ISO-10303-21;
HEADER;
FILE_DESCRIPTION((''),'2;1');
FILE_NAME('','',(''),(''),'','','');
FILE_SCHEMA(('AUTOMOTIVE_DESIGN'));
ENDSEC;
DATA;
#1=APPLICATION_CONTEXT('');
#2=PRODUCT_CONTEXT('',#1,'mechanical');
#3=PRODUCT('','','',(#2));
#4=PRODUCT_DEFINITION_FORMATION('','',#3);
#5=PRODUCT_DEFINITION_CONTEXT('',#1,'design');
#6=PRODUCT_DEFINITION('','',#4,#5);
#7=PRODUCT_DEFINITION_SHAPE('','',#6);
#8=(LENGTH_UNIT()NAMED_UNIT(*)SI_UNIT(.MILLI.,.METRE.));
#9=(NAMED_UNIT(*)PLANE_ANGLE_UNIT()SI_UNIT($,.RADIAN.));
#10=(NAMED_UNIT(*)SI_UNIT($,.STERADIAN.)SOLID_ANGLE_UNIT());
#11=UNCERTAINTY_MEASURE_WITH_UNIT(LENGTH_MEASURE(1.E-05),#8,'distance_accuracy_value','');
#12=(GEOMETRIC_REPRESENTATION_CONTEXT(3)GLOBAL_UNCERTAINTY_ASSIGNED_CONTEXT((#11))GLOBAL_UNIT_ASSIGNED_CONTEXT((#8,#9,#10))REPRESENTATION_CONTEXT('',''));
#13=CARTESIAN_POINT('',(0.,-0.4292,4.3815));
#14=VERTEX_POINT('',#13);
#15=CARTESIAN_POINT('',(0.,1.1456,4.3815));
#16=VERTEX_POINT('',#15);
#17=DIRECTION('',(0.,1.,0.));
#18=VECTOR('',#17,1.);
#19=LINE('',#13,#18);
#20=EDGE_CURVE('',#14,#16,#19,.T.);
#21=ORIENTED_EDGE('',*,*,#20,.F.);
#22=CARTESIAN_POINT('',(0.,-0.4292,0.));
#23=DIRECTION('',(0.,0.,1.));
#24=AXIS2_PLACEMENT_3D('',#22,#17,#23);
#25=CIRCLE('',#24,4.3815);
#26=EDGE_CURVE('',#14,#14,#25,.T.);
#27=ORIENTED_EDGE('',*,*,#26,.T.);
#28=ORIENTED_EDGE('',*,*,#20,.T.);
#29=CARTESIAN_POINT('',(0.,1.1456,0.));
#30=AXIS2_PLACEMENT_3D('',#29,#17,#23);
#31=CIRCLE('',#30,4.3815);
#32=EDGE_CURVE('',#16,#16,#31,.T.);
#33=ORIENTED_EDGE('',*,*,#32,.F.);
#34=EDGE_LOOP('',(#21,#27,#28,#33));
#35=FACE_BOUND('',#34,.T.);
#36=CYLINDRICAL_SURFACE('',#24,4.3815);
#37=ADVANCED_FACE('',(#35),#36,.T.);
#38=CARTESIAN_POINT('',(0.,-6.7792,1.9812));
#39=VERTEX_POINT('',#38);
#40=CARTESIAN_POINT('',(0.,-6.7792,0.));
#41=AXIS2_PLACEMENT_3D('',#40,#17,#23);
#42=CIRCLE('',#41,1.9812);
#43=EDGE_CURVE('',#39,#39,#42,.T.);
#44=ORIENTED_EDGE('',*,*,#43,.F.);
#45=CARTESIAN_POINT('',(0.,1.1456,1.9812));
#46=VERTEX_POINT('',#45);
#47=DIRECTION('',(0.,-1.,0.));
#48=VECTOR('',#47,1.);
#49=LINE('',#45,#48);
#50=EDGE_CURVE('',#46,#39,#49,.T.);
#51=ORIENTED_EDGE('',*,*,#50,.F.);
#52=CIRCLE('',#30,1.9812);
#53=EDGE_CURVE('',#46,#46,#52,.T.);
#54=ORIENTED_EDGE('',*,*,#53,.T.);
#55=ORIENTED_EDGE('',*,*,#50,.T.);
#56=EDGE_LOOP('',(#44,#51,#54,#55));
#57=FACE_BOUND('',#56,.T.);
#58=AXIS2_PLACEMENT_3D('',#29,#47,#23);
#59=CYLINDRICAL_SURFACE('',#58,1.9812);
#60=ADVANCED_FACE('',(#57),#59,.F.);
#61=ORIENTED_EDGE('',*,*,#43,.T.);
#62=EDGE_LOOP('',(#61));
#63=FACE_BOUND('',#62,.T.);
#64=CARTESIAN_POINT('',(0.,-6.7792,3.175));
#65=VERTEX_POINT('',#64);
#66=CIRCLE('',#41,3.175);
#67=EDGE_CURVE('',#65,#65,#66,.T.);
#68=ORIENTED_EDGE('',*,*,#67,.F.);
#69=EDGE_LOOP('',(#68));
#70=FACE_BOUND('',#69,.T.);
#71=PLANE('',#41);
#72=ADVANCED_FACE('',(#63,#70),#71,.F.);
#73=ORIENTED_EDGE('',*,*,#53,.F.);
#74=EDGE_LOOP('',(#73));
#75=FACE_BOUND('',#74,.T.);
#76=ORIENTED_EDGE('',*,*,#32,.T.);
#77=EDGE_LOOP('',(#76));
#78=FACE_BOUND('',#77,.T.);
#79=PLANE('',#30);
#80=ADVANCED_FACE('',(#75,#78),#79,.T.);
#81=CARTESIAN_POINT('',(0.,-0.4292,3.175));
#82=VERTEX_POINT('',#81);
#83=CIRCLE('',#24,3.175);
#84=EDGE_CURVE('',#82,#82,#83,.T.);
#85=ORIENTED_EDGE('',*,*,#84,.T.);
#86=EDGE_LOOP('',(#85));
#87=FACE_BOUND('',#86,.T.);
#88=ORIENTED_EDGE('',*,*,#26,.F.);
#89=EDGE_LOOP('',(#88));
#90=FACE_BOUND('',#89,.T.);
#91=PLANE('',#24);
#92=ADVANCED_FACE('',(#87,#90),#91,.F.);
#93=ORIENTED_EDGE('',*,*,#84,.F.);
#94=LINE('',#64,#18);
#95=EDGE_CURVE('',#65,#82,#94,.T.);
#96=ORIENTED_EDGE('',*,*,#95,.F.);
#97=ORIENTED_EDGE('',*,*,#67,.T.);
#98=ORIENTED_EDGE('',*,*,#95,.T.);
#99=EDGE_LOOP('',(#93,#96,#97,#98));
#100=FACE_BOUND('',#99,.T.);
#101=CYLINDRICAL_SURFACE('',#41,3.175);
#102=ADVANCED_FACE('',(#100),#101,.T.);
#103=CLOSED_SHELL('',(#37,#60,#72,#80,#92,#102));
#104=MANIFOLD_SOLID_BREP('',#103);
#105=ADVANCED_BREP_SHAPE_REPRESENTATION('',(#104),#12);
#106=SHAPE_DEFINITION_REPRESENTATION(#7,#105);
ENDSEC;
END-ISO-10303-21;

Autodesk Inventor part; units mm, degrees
ref_plane "YZ Plane" through (0, 0, 0) normal (1, 0, 0) x (0, 1, 0)
ref_plane "XZ Plane" through (0, 0, 0) normal (0, 1, 0) x (-1, 0, 0)
ref_plane "XY Plane" through (0, 0, 0) normal (0, 0, 1) x (1, 0, 0)
sketch "Sketch1" plane through (0, 0, 0) normal (1, 0, 0) x (0, 1, 0)
  line L0 (-6.7792, 3.175) -> (-0.4292, 3.175)
  line L1 (-0.4292, 3.175) -> (-0.4292, 4.3815)
  line L2 (-0.4292, 4.3815) -> (1.1456, 4.3815)
  line L3 (1.1456, 4.3815) -> (1.1456, 1.9812)
  line L4 (1.1456, 1.9812) -> (-6.7792, 1.9812)
  line L5 (-6.7792, 1.9812) -> (-6.7792, 3.175)
  line L6 (-8.3642, 0) -> (2.7305, 0) projected
  point P0 (0, 0)
  dimension "d0" = 1.9812
  dimension "d1" = 3.175
  dimension "d2" = 4.3815
  dimension "d3" = 7.9248
  dimension "d4" = 6.35
revolve "Revolution1" add sketch "Sketch1" angle 360 about axis through (0, -10, 0) along (0, 1, 0)
properties part number "Ceramic eyelet"
